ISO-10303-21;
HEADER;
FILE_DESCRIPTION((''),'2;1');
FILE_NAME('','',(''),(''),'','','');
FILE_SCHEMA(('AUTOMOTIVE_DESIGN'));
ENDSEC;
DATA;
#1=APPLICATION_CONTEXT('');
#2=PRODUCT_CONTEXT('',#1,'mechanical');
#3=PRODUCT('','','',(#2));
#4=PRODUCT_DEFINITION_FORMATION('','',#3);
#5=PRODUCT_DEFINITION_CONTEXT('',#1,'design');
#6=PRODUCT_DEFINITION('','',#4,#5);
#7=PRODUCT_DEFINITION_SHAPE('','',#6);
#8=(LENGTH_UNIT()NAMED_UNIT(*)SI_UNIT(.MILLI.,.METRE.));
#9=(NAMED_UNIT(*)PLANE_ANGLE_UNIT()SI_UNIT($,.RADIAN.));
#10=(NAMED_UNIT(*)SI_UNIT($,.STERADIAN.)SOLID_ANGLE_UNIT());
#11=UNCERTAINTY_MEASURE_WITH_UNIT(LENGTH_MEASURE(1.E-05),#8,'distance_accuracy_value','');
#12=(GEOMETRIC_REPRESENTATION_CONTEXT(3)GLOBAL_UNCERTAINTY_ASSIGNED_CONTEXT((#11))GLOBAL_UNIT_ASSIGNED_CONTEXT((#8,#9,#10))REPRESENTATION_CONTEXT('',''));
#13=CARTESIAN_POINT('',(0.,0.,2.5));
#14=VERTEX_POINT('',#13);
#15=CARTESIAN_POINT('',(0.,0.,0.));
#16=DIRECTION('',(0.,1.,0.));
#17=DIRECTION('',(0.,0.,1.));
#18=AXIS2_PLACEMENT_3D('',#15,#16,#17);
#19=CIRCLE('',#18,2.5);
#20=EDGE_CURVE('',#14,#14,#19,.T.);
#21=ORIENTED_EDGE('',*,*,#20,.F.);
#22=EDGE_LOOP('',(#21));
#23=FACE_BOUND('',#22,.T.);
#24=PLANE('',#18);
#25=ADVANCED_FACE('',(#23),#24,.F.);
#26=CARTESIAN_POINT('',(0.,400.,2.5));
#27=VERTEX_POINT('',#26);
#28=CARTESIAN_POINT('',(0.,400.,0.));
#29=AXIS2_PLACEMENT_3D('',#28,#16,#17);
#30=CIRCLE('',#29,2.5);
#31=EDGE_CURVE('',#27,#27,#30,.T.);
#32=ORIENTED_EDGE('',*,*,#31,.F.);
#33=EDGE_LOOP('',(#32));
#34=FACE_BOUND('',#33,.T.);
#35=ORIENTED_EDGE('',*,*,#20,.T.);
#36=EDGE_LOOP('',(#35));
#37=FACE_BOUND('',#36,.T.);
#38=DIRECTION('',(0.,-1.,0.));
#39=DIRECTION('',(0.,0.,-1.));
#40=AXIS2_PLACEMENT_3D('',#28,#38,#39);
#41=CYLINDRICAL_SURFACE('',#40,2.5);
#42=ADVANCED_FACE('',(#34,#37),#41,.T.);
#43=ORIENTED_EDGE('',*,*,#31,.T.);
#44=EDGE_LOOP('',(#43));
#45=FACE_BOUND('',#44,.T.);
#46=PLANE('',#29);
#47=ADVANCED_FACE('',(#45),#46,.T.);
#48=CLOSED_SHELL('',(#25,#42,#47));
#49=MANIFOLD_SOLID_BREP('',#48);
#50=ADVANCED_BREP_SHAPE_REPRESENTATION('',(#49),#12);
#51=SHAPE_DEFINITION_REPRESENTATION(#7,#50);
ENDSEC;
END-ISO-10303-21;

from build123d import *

# Parameters (mm, degrees)
ESQUISSE1_R        = 2.5
BOSS_EXTRU_1_DEPTH = 400


with BuildPart() as part:
    # Esquisse1 → Boss.-Extru.1 (new body)
    with BuildSketch(Plane(origin=(0, 0, 0), x_dir=(1, 0, 0), z_dir=(0, 1, 0))):
        with Locations(Location((0, 0, 0), (0, 0, 270))):
            Circle(ESQUISSE1_R)
    extrude(amount=BOSS_EXTRU_1_DEPTH)


solid = part.part
